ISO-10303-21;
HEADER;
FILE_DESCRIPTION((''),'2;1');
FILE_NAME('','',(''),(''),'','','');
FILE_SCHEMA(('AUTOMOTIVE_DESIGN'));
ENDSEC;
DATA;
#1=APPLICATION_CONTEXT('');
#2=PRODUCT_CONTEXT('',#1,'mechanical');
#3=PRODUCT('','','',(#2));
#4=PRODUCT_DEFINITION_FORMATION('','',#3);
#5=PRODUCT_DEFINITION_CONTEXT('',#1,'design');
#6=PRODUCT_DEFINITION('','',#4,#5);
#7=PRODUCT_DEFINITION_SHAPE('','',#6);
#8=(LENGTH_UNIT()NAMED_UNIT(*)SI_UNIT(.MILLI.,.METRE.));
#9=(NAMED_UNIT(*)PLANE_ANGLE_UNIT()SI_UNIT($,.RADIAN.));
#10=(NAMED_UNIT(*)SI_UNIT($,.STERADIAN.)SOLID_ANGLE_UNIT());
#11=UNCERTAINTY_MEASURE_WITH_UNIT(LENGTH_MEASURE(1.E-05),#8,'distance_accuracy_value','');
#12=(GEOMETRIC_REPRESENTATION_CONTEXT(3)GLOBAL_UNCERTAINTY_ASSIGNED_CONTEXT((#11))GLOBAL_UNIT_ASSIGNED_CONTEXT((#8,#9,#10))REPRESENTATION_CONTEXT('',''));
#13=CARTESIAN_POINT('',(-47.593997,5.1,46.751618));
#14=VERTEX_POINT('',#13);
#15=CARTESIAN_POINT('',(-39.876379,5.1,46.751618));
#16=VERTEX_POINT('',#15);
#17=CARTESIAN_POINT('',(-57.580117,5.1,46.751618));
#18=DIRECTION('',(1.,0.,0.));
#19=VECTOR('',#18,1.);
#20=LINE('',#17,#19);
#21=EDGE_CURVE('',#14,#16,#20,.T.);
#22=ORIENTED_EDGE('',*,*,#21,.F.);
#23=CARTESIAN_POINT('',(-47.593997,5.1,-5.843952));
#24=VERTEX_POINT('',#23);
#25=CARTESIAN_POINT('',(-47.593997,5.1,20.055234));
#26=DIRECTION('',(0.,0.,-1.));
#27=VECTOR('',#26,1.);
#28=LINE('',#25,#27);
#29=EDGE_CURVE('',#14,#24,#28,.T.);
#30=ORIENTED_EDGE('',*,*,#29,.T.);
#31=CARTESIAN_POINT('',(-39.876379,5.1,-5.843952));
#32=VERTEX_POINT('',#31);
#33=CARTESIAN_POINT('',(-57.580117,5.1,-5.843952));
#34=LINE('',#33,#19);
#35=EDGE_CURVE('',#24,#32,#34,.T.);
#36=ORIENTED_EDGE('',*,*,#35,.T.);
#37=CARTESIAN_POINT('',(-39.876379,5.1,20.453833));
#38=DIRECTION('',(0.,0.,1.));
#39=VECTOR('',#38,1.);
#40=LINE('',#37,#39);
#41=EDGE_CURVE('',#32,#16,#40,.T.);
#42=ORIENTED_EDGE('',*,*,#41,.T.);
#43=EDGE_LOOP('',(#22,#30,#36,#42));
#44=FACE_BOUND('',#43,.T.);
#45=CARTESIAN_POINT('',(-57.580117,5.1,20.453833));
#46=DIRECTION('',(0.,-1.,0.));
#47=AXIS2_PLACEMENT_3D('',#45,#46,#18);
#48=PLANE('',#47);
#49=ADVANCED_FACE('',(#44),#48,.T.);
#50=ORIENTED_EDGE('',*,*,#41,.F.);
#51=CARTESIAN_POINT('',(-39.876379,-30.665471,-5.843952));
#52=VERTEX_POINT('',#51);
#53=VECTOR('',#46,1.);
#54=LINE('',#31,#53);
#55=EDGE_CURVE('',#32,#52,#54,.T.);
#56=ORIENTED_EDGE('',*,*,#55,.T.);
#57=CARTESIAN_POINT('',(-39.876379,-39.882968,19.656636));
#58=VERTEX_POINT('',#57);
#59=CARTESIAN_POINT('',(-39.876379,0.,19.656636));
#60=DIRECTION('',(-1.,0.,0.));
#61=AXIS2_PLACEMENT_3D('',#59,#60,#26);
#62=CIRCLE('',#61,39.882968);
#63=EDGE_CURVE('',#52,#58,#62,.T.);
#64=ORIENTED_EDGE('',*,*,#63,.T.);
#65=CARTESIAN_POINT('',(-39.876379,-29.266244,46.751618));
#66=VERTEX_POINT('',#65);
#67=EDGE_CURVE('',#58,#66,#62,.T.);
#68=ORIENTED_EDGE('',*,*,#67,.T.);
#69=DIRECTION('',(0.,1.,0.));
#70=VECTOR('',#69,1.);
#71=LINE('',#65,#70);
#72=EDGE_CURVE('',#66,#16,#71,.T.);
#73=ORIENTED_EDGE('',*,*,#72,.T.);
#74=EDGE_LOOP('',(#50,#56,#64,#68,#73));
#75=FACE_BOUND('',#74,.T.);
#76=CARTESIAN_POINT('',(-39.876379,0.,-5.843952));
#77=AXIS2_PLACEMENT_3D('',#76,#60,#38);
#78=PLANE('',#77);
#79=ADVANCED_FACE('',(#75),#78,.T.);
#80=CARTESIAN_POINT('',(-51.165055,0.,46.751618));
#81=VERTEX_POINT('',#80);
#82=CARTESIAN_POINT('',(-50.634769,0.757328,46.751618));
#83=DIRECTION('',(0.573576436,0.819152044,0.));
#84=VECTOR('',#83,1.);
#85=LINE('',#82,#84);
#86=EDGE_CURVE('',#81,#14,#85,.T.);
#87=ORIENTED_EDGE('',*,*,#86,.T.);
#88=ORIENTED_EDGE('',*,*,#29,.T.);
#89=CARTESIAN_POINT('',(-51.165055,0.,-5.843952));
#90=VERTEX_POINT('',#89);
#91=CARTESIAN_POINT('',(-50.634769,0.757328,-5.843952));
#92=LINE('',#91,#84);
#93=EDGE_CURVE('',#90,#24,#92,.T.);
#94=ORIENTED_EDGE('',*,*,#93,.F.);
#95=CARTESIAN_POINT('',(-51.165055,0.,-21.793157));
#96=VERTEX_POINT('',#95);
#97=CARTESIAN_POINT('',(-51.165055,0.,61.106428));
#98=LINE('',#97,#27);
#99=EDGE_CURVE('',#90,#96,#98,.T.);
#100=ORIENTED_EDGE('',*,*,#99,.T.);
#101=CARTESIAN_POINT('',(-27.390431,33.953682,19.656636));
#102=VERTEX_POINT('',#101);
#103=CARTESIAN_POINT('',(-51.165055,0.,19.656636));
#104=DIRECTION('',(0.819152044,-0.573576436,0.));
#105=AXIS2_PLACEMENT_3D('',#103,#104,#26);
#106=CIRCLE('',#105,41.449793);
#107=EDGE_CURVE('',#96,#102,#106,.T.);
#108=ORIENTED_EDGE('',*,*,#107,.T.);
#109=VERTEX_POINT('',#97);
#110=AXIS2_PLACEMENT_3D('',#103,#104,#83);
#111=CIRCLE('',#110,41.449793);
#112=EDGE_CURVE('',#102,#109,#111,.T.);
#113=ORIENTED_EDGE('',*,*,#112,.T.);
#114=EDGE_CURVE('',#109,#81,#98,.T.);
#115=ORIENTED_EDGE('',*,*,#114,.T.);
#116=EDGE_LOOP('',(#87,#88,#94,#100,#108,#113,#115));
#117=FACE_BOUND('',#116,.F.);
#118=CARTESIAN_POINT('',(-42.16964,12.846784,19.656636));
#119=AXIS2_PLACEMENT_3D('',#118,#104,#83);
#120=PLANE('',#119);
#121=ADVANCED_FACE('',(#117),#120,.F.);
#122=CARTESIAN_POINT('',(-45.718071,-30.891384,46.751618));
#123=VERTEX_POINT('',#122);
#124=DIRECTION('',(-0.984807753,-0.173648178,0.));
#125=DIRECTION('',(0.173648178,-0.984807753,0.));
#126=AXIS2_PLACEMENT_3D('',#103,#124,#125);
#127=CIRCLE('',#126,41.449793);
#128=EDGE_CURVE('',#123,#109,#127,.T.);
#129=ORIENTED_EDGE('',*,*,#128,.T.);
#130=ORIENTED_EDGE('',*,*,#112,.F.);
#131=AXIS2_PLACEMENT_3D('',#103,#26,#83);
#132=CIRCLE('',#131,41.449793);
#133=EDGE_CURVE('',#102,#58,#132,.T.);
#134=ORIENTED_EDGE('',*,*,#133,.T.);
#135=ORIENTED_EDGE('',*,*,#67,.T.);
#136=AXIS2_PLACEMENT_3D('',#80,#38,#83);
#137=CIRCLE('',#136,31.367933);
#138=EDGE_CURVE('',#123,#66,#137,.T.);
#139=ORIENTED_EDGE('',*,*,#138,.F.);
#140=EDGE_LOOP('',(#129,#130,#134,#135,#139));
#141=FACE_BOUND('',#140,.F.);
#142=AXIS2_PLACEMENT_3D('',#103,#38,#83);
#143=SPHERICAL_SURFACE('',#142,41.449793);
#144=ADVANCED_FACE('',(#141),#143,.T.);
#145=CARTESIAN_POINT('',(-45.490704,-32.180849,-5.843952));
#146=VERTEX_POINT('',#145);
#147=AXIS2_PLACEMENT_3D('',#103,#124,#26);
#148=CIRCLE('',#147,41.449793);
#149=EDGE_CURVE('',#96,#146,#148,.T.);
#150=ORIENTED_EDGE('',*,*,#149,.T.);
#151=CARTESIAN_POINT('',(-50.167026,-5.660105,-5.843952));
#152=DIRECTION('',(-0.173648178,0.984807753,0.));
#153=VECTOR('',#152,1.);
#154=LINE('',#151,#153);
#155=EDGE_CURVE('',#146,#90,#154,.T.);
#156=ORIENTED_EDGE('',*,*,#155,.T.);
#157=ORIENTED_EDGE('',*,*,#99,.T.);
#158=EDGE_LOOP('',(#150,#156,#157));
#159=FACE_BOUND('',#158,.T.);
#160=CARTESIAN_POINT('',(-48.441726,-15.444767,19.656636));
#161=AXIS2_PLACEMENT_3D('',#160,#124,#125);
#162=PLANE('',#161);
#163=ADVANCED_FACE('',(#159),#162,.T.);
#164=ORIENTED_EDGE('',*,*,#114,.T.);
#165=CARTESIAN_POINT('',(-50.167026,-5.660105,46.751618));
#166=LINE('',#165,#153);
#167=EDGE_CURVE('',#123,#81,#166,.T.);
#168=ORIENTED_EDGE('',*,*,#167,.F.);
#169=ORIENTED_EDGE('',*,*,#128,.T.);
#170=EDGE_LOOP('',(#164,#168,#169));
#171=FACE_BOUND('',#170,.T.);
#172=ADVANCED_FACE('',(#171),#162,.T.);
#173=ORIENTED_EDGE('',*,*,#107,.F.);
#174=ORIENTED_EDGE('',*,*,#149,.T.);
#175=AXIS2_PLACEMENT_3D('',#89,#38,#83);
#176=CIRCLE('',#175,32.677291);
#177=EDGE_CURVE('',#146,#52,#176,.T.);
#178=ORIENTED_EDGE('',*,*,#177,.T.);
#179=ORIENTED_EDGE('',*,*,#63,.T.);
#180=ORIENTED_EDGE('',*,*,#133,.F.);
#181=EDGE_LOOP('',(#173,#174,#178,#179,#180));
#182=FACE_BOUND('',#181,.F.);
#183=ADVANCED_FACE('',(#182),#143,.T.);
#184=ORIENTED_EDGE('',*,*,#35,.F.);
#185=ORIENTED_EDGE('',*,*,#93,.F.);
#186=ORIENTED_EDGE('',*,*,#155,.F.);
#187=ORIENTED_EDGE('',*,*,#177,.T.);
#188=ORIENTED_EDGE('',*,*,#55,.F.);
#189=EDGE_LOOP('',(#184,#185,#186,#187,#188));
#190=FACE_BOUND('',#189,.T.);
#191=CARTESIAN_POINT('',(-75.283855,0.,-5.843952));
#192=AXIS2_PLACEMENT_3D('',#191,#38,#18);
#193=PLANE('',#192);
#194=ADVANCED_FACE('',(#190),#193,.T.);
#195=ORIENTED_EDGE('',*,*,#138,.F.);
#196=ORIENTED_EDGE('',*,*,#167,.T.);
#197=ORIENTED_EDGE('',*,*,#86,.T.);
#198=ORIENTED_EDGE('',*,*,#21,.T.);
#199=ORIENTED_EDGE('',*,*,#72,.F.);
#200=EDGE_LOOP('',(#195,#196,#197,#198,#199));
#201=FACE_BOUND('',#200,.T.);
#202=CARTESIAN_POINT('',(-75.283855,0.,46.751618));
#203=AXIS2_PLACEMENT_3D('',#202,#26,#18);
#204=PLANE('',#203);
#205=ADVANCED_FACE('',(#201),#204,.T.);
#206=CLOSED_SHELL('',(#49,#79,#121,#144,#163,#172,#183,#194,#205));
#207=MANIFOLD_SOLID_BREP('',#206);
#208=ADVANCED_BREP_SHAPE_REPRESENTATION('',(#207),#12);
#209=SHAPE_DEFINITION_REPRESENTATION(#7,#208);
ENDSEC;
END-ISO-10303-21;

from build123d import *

# Parameters (mm, degrees)
F1_ANGLE_BACK = 55
F1_ANGLE      = 135
F2_W          = 35.4074761271
F2_H          = 52.5955706835
F3_DEPTH      = 91
F3_DEPTH_BACK = 5.1


with BuildPart() as f1:
    # F0 (on Front) → F1 (revolve)
    with BuildSketch(Plane.XZ, mode=Mode.PRIVATE) as f1_sk:
        with BuildLine():
            ThreePointArc((-51.1650554836, -21.7931568459), (-21.8556260102, -9.6527936526), (-9.7152628168, 19.6566358209))
            ThreePointArc((-9.7152628168, 19.6566358209), (-21.8556260102, 48.9660652943), (-51.1650554836, 61.1064284876))
            Line((-51.1650554836, 61.1064284876), (-51.1650554836, -21.7931568459))
        make_face()
    revolve(f1_sk.sketch.rotate(Axis((-51.1650554836, 0, 19.6566358209), (0, 0, -1)), -F1_ANGLE_BACK), axis=Axis((-51.1650554836, 0, 19.6566358209), (0, 0, -1)), revolution_arc=F1_ANGLE)

    # F2 (on Front) → F3 (cut, two sides)
    with BuildSketch(Plane.XZ) as f3_sk:
        with Locations((-57.5801171362, 20.4538330436)):
            Rectangle(F2_W, F2_H)
    extrude(amount=F3_DEPTH, mode=Mode.SUBTRACT)
    extrude(f3_sk.sketch, amount=-F3_DEPTH_BACK, mode=Mode.SUBTRACT)


solid = f1.part
